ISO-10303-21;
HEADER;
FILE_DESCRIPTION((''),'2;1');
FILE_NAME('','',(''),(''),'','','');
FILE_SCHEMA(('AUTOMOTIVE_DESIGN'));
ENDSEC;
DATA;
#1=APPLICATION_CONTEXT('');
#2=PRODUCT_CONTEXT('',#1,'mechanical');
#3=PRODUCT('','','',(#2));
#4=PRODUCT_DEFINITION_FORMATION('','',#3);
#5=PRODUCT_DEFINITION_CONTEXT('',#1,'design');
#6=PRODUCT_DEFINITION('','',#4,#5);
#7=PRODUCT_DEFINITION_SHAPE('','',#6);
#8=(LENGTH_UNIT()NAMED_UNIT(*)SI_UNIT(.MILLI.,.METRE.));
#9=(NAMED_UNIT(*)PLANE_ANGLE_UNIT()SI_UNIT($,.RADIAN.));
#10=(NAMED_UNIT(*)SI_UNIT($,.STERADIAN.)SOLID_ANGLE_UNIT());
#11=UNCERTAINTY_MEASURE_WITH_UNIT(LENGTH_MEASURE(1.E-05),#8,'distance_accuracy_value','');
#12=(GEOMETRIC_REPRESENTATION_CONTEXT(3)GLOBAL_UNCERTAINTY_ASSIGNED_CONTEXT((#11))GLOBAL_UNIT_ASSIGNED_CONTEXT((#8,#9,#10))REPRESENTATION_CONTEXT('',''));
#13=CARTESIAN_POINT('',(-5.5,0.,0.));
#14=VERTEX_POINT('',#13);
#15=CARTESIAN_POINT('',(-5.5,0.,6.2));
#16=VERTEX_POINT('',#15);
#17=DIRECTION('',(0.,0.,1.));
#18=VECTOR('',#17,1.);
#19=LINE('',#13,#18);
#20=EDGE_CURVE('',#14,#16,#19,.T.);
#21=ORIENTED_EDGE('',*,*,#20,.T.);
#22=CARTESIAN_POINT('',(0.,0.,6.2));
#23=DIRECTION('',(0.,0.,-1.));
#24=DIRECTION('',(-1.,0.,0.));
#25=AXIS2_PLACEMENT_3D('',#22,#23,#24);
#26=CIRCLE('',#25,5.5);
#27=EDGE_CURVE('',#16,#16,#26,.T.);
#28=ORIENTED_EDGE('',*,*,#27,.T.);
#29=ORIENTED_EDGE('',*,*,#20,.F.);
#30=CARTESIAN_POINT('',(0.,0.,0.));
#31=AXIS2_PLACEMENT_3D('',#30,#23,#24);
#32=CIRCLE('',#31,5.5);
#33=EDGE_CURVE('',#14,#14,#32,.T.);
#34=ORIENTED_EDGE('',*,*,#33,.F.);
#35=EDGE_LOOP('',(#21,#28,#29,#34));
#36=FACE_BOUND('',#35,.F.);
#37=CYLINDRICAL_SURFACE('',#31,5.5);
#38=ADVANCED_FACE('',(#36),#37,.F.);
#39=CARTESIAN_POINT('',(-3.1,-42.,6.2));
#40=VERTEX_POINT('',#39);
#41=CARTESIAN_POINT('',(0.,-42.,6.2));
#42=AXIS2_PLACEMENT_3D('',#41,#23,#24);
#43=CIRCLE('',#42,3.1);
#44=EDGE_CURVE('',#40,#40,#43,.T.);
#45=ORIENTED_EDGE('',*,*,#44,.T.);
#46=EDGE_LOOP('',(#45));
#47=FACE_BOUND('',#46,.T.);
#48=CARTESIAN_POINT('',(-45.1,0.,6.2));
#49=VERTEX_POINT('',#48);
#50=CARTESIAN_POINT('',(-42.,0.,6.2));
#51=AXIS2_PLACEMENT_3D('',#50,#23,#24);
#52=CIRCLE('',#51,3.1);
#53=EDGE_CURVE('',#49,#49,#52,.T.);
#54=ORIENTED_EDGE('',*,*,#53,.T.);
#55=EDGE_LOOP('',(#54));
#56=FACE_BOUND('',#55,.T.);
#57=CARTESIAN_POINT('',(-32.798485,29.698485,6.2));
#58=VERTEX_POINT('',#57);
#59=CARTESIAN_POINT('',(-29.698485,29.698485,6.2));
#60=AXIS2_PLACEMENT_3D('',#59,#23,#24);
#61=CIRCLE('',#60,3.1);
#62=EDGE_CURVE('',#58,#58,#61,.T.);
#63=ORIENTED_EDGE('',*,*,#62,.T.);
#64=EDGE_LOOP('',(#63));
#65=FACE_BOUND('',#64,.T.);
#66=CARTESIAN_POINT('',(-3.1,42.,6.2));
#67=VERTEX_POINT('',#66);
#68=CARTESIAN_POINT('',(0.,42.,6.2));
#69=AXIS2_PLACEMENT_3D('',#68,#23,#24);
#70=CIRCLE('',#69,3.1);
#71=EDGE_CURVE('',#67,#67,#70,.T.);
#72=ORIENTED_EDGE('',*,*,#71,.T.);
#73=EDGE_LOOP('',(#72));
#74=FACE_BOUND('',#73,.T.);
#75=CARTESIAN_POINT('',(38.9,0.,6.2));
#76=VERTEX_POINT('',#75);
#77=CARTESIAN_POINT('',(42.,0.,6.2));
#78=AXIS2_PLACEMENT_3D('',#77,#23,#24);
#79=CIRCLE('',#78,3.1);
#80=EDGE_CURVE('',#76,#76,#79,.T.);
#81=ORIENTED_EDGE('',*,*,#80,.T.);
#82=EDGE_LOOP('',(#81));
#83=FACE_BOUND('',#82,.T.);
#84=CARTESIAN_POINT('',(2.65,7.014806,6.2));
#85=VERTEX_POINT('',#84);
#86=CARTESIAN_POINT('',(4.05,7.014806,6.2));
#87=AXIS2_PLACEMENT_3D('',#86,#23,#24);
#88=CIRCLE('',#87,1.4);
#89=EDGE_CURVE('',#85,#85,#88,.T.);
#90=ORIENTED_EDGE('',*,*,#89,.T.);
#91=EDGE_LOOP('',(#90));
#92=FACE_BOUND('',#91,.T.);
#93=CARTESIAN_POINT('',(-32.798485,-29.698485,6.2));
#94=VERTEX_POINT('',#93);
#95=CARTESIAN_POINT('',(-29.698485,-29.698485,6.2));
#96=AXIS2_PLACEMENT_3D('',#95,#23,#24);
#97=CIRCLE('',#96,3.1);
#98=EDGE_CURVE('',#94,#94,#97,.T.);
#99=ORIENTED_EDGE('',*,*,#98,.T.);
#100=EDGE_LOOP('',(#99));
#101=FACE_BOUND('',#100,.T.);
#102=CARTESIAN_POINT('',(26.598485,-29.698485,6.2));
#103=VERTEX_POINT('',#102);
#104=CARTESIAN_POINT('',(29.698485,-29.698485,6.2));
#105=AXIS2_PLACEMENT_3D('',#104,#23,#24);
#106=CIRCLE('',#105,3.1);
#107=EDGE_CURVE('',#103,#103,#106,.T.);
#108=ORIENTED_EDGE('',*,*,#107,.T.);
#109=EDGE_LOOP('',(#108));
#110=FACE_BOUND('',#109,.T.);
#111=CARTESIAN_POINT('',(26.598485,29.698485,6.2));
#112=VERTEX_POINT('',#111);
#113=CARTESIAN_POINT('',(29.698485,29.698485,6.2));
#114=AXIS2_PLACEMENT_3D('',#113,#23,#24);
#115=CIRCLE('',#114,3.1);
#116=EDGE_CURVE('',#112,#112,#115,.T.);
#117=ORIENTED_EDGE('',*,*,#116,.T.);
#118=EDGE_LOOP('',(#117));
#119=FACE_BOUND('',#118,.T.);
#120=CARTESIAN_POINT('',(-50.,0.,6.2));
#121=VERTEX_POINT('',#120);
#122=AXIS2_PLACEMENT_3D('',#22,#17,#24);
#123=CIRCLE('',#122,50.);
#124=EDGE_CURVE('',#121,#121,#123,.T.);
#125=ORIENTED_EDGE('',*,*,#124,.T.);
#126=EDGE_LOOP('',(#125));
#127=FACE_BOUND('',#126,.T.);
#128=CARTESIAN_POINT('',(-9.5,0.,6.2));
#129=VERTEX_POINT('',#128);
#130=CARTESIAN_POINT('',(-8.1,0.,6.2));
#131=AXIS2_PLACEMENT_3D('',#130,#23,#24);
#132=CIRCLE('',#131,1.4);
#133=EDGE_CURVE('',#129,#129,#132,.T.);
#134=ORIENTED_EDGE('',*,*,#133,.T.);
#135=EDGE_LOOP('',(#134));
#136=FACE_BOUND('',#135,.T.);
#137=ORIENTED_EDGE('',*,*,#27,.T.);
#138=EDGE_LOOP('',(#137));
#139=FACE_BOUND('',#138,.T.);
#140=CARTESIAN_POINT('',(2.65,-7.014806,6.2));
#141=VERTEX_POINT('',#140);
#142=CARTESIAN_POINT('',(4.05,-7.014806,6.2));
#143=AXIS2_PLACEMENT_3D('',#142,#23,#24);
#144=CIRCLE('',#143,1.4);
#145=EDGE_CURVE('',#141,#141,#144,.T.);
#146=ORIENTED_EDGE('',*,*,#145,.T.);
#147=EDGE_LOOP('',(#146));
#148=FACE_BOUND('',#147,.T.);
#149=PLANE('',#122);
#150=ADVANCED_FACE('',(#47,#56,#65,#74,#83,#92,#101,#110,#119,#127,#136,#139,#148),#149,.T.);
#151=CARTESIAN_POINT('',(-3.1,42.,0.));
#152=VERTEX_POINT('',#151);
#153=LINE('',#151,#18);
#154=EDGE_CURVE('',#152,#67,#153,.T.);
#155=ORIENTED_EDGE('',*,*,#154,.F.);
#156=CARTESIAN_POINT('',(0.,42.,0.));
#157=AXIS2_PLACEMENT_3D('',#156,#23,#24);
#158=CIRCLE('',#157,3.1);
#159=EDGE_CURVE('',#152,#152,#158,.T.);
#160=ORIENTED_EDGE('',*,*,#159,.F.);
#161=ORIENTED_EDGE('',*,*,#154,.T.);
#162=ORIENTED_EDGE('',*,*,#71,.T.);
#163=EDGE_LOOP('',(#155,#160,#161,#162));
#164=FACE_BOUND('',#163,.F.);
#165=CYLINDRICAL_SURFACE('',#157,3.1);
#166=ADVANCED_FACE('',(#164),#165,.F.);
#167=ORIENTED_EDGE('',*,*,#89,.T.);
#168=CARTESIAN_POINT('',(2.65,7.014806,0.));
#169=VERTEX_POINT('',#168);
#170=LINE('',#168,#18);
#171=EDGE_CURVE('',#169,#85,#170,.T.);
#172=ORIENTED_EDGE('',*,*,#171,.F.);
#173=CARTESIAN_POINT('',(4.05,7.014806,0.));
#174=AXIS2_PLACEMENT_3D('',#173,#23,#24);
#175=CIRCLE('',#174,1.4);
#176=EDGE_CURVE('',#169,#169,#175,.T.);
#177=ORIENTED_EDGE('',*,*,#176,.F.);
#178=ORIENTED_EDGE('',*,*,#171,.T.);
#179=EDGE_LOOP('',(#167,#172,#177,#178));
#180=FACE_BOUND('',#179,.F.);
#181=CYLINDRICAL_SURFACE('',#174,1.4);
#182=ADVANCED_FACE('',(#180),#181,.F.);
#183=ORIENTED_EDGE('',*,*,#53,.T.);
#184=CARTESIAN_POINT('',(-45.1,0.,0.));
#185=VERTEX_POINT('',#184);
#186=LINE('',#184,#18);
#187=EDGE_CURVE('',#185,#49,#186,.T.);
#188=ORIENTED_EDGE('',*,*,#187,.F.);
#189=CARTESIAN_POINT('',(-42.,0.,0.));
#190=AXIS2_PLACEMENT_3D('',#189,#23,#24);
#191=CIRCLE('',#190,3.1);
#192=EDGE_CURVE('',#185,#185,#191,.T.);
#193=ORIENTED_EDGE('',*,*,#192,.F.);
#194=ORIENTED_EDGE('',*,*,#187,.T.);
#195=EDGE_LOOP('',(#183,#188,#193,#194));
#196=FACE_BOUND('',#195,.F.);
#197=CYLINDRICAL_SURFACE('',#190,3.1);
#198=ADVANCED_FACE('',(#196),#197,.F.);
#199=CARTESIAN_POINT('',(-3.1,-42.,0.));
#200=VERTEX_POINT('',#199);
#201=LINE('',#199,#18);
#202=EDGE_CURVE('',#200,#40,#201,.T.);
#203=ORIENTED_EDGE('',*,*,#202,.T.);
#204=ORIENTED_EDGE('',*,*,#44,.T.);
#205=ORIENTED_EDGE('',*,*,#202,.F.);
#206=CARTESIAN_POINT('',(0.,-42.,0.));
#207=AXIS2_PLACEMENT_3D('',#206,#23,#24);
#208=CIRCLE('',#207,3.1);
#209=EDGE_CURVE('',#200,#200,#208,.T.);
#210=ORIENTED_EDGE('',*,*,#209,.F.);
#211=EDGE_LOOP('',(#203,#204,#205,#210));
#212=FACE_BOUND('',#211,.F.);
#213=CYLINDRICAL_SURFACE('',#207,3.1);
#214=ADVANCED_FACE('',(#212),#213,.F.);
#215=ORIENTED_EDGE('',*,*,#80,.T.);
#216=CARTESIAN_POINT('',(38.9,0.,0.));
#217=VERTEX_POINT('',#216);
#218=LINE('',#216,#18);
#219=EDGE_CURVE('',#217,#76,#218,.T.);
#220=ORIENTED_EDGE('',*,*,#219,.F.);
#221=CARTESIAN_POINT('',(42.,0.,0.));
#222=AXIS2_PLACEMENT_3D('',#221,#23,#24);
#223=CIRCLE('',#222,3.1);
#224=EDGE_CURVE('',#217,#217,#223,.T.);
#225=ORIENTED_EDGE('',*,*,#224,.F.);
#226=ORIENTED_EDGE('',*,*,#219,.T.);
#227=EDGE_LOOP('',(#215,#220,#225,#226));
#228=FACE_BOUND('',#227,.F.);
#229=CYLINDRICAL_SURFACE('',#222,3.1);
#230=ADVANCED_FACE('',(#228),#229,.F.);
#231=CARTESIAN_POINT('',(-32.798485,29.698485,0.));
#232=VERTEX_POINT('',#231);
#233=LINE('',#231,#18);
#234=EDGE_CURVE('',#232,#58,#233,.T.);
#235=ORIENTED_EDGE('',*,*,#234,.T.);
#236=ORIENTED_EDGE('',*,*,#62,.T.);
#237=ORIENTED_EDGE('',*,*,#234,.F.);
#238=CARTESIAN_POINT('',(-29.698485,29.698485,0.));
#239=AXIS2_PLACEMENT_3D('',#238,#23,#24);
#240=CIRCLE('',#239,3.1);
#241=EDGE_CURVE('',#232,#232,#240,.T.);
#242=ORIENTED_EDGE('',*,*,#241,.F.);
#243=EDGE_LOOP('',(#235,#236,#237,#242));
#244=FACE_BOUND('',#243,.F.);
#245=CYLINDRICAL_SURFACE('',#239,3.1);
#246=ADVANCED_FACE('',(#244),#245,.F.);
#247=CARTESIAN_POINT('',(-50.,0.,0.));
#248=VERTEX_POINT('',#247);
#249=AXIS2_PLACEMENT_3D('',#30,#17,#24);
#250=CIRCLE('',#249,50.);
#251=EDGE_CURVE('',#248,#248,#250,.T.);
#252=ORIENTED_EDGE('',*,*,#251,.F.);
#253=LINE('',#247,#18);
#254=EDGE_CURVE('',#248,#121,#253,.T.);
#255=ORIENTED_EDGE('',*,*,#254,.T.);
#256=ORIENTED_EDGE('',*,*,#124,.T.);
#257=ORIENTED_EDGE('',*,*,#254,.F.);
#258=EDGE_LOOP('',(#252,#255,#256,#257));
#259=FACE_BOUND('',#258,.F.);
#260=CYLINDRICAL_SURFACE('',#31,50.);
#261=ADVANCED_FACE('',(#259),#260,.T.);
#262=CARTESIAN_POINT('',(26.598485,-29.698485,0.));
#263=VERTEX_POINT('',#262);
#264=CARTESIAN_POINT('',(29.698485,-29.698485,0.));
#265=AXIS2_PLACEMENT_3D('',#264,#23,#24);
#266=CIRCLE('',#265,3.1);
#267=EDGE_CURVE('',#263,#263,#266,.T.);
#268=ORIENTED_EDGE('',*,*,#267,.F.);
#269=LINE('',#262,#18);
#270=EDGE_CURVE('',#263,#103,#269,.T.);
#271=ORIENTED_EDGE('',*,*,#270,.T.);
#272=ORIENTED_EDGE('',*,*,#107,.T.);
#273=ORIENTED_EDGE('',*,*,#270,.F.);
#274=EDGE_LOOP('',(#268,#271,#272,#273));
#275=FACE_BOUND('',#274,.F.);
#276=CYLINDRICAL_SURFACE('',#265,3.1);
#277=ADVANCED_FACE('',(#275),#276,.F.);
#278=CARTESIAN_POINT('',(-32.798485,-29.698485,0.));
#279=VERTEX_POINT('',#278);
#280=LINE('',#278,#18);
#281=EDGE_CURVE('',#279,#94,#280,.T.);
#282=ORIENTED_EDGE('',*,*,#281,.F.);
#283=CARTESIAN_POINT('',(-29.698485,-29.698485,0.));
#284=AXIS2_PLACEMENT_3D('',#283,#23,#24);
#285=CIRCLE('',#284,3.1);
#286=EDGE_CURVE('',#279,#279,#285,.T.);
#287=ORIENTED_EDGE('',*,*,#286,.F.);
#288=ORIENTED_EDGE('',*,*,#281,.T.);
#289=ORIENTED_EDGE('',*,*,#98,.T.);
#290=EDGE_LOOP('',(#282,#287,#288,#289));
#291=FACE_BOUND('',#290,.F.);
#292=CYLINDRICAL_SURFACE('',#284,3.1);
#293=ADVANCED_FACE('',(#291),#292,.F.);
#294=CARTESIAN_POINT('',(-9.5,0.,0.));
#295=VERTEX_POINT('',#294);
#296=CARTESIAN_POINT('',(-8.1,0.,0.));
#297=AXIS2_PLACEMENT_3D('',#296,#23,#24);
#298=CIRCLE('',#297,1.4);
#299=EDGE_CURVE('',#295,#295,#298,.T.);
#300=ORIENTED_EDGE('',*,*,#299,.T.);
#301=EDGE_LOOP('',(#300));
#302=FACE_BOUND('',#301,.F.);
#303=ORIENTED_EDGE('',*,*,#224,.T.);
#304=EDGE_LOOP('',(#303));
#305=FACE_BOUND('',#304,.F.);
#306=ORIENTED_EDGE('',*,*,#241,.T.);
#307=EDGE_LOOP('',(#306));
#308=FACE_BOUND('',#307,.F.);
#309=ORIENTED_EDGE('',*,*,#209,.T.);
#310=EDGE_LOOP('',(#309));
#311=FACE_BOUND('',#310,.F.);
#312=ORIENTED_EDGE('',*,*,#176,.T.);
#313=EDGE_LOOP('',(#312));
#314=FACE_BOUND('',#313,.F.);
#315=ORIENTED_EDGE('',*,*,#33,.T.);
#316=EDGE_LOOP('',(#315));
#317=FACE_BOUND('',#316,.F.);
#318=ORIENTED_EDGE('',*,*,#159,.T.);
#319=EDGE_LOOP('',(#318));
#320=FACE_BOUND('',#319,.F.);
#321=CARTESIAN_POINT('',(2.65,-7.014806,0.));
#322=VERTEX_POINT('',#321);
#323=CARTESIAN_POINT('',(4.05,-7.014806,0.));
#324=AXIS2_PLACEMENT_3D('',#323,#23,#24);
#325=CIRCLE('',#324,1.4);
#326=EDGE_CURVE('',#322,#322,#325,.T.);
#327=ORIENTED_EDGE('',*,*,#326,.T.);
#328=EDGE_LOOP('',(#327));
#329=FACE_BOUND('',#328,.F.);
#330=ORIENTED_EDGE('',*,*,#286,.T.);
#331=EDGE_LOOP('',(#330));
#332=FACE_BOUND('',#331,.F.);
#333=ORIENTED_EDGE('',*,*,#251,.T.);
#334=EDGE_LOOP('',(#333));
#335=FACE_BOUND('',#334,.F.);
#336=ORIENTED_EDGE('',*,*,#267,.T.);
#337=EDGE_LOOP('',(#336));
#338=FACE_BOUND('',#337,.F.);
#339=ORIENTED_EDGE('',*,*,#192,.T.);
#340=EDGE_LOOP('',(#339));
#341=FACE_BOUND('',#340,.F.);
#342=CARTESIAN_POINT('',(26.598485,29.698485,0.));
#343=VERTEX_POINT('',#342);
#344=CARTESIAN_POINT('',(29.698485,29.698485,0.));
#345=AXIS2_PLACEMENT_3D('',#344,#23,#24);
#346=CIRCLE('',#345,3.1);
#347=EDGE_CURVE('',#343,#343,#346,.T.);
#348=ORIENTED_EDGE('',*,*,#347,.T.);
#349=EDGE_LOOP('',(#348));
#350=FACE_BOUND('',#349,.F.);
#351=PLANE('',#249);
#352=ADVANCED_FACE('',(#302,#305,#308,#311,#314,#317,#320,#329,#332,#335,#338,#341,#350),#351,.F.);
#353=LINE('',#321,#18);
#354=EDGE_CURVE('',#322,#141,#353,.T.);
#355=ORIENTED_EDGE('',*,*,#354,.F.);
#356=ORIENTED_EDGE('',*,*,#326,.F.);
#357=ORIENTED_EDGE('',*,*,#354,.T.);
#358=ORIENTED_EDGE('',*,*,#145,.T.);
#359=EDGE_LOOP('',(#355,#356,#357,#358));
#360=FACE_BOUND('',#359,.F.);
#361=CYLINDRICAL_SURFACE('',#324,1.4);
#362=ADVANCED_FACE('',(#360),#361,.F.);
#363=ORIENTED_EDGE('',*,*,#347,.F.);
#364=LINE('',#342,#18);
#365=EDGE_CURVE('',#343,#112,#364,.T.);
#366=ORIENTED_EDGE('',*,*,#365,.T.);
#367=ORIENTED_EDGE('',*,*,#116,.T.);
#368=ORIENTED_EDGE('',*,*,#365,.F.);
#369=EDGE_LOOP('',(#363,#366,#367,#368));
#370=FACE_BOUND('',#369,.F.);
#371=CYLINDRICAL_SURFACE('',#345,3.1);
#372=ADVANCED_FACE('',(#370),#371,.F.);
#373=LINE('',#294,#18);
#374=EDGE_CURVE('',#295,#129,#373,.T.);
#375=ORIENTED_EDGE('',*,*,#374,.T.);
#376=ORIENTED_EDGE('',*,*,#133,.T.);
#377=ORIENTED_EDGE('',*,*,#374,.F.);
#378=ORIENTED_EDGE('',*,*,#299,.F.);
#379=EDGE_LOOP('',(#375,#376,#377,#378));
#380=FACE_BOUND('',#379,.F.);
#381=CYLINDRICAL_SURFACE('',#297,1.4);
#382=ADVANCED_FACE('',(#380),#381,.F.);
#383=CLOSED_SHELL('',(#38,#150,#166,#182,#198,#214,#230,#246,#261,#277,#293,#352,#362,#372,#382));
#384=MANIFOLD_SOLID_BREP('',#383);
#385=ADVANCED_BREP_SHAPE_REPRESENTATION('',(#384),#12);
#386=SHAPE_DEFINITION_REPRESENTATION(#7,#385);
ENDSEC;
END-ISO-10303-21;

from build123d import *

# Parameters (mm, degrees)
SKETCH1_R           = 50
BOSS_EXTRUDE1_DEPTH = 6.2
SKETCH2_R           = 5.5
CUT_EXTRUDE1_DEPTH  = 71.981969542
SKETCH3_R           = 1.4
CUT_EXTRUDE2_DEPTH  = 71.981969542
SKETCH4_R           = 3.1
CUT_EXTRUDE3_DEPTH  = 71.981969542


with BuildPart() as part:
    # Sketch1 → Boss-Extrude1 (new body)
    with BuildSketch(Plane.XY):
        with Locations(Location((0, 0, 0), (0, 0, 180))):
            Circle(SKETCH1_R)
    extrude(amount=BOSS_EXTRUDE1_DEPTH)

    # Sketch2 → Cut-Extrude1 (cut, through all)
    with BuildSketch(Plane(origin=(0, 0, 0), x_dir=(-1, 0, 0), z_dir=(0, 0, -1))):
        Circle(SKETCH2_R)
    extrude(amount=-CUT_EXTRUDE1_DEPTH, mode=Mode.SUBTRACT)

    # Sketch3 → Cut-Extrude2 (cut, through all)
    with BuildSketch(Plane(origin=(0, 0, 0), x_dir=(-1, 0, 0), z_dir=(0, 0, -1))):
        with Locations((8.1, 0)):
            Circle(SKETCH3_R)
        with Locations((-4.05, -7.014805771)):
            Circle(SKETCH3_R)
        with Locations((-4.05, 7.014805771)):
            Circle(SKETCH3_R)
    extrude(amount=-CUT_EXTRUDE2_DEPTH, mode=Mode.SUBTRACT)

    # Sketch4 → Cut-Extrude3 (cut, through all)
    with BuildSketch(Plane(origin=(0, 0, 0), x_dir=(-1, 0, 0), z_dir=(0, 0, -1))):
        with Locations((42, 0)):
            Circle(SKETCH4_R)
        with Locations((29.69848481, -29.69848481)):
            Circle(SKETCH4_R)
        with Locations((0, -42)):
            Circle(SKETCH4_R)
        with Locations((-29.69848481, -29.69848481)):
            Circle(SKETCH4_R)
        with Locations((-42, 0)):
            Circle(SKETCH4_R)
        with Locations((-29.69848481, 29.69848481)):
            Circle(SKETCH4_R)
        with Locations((0, 42)):
            Circle(SKETCH4_R)
        with Locations((29.69848481, 29.69848481)):
            Circle(SKETCH4_R)
    extrude(amount=-CUT_EXTRUDE3_DEPTH, mode=Mode.SUBTRACT)


solid = part.part
